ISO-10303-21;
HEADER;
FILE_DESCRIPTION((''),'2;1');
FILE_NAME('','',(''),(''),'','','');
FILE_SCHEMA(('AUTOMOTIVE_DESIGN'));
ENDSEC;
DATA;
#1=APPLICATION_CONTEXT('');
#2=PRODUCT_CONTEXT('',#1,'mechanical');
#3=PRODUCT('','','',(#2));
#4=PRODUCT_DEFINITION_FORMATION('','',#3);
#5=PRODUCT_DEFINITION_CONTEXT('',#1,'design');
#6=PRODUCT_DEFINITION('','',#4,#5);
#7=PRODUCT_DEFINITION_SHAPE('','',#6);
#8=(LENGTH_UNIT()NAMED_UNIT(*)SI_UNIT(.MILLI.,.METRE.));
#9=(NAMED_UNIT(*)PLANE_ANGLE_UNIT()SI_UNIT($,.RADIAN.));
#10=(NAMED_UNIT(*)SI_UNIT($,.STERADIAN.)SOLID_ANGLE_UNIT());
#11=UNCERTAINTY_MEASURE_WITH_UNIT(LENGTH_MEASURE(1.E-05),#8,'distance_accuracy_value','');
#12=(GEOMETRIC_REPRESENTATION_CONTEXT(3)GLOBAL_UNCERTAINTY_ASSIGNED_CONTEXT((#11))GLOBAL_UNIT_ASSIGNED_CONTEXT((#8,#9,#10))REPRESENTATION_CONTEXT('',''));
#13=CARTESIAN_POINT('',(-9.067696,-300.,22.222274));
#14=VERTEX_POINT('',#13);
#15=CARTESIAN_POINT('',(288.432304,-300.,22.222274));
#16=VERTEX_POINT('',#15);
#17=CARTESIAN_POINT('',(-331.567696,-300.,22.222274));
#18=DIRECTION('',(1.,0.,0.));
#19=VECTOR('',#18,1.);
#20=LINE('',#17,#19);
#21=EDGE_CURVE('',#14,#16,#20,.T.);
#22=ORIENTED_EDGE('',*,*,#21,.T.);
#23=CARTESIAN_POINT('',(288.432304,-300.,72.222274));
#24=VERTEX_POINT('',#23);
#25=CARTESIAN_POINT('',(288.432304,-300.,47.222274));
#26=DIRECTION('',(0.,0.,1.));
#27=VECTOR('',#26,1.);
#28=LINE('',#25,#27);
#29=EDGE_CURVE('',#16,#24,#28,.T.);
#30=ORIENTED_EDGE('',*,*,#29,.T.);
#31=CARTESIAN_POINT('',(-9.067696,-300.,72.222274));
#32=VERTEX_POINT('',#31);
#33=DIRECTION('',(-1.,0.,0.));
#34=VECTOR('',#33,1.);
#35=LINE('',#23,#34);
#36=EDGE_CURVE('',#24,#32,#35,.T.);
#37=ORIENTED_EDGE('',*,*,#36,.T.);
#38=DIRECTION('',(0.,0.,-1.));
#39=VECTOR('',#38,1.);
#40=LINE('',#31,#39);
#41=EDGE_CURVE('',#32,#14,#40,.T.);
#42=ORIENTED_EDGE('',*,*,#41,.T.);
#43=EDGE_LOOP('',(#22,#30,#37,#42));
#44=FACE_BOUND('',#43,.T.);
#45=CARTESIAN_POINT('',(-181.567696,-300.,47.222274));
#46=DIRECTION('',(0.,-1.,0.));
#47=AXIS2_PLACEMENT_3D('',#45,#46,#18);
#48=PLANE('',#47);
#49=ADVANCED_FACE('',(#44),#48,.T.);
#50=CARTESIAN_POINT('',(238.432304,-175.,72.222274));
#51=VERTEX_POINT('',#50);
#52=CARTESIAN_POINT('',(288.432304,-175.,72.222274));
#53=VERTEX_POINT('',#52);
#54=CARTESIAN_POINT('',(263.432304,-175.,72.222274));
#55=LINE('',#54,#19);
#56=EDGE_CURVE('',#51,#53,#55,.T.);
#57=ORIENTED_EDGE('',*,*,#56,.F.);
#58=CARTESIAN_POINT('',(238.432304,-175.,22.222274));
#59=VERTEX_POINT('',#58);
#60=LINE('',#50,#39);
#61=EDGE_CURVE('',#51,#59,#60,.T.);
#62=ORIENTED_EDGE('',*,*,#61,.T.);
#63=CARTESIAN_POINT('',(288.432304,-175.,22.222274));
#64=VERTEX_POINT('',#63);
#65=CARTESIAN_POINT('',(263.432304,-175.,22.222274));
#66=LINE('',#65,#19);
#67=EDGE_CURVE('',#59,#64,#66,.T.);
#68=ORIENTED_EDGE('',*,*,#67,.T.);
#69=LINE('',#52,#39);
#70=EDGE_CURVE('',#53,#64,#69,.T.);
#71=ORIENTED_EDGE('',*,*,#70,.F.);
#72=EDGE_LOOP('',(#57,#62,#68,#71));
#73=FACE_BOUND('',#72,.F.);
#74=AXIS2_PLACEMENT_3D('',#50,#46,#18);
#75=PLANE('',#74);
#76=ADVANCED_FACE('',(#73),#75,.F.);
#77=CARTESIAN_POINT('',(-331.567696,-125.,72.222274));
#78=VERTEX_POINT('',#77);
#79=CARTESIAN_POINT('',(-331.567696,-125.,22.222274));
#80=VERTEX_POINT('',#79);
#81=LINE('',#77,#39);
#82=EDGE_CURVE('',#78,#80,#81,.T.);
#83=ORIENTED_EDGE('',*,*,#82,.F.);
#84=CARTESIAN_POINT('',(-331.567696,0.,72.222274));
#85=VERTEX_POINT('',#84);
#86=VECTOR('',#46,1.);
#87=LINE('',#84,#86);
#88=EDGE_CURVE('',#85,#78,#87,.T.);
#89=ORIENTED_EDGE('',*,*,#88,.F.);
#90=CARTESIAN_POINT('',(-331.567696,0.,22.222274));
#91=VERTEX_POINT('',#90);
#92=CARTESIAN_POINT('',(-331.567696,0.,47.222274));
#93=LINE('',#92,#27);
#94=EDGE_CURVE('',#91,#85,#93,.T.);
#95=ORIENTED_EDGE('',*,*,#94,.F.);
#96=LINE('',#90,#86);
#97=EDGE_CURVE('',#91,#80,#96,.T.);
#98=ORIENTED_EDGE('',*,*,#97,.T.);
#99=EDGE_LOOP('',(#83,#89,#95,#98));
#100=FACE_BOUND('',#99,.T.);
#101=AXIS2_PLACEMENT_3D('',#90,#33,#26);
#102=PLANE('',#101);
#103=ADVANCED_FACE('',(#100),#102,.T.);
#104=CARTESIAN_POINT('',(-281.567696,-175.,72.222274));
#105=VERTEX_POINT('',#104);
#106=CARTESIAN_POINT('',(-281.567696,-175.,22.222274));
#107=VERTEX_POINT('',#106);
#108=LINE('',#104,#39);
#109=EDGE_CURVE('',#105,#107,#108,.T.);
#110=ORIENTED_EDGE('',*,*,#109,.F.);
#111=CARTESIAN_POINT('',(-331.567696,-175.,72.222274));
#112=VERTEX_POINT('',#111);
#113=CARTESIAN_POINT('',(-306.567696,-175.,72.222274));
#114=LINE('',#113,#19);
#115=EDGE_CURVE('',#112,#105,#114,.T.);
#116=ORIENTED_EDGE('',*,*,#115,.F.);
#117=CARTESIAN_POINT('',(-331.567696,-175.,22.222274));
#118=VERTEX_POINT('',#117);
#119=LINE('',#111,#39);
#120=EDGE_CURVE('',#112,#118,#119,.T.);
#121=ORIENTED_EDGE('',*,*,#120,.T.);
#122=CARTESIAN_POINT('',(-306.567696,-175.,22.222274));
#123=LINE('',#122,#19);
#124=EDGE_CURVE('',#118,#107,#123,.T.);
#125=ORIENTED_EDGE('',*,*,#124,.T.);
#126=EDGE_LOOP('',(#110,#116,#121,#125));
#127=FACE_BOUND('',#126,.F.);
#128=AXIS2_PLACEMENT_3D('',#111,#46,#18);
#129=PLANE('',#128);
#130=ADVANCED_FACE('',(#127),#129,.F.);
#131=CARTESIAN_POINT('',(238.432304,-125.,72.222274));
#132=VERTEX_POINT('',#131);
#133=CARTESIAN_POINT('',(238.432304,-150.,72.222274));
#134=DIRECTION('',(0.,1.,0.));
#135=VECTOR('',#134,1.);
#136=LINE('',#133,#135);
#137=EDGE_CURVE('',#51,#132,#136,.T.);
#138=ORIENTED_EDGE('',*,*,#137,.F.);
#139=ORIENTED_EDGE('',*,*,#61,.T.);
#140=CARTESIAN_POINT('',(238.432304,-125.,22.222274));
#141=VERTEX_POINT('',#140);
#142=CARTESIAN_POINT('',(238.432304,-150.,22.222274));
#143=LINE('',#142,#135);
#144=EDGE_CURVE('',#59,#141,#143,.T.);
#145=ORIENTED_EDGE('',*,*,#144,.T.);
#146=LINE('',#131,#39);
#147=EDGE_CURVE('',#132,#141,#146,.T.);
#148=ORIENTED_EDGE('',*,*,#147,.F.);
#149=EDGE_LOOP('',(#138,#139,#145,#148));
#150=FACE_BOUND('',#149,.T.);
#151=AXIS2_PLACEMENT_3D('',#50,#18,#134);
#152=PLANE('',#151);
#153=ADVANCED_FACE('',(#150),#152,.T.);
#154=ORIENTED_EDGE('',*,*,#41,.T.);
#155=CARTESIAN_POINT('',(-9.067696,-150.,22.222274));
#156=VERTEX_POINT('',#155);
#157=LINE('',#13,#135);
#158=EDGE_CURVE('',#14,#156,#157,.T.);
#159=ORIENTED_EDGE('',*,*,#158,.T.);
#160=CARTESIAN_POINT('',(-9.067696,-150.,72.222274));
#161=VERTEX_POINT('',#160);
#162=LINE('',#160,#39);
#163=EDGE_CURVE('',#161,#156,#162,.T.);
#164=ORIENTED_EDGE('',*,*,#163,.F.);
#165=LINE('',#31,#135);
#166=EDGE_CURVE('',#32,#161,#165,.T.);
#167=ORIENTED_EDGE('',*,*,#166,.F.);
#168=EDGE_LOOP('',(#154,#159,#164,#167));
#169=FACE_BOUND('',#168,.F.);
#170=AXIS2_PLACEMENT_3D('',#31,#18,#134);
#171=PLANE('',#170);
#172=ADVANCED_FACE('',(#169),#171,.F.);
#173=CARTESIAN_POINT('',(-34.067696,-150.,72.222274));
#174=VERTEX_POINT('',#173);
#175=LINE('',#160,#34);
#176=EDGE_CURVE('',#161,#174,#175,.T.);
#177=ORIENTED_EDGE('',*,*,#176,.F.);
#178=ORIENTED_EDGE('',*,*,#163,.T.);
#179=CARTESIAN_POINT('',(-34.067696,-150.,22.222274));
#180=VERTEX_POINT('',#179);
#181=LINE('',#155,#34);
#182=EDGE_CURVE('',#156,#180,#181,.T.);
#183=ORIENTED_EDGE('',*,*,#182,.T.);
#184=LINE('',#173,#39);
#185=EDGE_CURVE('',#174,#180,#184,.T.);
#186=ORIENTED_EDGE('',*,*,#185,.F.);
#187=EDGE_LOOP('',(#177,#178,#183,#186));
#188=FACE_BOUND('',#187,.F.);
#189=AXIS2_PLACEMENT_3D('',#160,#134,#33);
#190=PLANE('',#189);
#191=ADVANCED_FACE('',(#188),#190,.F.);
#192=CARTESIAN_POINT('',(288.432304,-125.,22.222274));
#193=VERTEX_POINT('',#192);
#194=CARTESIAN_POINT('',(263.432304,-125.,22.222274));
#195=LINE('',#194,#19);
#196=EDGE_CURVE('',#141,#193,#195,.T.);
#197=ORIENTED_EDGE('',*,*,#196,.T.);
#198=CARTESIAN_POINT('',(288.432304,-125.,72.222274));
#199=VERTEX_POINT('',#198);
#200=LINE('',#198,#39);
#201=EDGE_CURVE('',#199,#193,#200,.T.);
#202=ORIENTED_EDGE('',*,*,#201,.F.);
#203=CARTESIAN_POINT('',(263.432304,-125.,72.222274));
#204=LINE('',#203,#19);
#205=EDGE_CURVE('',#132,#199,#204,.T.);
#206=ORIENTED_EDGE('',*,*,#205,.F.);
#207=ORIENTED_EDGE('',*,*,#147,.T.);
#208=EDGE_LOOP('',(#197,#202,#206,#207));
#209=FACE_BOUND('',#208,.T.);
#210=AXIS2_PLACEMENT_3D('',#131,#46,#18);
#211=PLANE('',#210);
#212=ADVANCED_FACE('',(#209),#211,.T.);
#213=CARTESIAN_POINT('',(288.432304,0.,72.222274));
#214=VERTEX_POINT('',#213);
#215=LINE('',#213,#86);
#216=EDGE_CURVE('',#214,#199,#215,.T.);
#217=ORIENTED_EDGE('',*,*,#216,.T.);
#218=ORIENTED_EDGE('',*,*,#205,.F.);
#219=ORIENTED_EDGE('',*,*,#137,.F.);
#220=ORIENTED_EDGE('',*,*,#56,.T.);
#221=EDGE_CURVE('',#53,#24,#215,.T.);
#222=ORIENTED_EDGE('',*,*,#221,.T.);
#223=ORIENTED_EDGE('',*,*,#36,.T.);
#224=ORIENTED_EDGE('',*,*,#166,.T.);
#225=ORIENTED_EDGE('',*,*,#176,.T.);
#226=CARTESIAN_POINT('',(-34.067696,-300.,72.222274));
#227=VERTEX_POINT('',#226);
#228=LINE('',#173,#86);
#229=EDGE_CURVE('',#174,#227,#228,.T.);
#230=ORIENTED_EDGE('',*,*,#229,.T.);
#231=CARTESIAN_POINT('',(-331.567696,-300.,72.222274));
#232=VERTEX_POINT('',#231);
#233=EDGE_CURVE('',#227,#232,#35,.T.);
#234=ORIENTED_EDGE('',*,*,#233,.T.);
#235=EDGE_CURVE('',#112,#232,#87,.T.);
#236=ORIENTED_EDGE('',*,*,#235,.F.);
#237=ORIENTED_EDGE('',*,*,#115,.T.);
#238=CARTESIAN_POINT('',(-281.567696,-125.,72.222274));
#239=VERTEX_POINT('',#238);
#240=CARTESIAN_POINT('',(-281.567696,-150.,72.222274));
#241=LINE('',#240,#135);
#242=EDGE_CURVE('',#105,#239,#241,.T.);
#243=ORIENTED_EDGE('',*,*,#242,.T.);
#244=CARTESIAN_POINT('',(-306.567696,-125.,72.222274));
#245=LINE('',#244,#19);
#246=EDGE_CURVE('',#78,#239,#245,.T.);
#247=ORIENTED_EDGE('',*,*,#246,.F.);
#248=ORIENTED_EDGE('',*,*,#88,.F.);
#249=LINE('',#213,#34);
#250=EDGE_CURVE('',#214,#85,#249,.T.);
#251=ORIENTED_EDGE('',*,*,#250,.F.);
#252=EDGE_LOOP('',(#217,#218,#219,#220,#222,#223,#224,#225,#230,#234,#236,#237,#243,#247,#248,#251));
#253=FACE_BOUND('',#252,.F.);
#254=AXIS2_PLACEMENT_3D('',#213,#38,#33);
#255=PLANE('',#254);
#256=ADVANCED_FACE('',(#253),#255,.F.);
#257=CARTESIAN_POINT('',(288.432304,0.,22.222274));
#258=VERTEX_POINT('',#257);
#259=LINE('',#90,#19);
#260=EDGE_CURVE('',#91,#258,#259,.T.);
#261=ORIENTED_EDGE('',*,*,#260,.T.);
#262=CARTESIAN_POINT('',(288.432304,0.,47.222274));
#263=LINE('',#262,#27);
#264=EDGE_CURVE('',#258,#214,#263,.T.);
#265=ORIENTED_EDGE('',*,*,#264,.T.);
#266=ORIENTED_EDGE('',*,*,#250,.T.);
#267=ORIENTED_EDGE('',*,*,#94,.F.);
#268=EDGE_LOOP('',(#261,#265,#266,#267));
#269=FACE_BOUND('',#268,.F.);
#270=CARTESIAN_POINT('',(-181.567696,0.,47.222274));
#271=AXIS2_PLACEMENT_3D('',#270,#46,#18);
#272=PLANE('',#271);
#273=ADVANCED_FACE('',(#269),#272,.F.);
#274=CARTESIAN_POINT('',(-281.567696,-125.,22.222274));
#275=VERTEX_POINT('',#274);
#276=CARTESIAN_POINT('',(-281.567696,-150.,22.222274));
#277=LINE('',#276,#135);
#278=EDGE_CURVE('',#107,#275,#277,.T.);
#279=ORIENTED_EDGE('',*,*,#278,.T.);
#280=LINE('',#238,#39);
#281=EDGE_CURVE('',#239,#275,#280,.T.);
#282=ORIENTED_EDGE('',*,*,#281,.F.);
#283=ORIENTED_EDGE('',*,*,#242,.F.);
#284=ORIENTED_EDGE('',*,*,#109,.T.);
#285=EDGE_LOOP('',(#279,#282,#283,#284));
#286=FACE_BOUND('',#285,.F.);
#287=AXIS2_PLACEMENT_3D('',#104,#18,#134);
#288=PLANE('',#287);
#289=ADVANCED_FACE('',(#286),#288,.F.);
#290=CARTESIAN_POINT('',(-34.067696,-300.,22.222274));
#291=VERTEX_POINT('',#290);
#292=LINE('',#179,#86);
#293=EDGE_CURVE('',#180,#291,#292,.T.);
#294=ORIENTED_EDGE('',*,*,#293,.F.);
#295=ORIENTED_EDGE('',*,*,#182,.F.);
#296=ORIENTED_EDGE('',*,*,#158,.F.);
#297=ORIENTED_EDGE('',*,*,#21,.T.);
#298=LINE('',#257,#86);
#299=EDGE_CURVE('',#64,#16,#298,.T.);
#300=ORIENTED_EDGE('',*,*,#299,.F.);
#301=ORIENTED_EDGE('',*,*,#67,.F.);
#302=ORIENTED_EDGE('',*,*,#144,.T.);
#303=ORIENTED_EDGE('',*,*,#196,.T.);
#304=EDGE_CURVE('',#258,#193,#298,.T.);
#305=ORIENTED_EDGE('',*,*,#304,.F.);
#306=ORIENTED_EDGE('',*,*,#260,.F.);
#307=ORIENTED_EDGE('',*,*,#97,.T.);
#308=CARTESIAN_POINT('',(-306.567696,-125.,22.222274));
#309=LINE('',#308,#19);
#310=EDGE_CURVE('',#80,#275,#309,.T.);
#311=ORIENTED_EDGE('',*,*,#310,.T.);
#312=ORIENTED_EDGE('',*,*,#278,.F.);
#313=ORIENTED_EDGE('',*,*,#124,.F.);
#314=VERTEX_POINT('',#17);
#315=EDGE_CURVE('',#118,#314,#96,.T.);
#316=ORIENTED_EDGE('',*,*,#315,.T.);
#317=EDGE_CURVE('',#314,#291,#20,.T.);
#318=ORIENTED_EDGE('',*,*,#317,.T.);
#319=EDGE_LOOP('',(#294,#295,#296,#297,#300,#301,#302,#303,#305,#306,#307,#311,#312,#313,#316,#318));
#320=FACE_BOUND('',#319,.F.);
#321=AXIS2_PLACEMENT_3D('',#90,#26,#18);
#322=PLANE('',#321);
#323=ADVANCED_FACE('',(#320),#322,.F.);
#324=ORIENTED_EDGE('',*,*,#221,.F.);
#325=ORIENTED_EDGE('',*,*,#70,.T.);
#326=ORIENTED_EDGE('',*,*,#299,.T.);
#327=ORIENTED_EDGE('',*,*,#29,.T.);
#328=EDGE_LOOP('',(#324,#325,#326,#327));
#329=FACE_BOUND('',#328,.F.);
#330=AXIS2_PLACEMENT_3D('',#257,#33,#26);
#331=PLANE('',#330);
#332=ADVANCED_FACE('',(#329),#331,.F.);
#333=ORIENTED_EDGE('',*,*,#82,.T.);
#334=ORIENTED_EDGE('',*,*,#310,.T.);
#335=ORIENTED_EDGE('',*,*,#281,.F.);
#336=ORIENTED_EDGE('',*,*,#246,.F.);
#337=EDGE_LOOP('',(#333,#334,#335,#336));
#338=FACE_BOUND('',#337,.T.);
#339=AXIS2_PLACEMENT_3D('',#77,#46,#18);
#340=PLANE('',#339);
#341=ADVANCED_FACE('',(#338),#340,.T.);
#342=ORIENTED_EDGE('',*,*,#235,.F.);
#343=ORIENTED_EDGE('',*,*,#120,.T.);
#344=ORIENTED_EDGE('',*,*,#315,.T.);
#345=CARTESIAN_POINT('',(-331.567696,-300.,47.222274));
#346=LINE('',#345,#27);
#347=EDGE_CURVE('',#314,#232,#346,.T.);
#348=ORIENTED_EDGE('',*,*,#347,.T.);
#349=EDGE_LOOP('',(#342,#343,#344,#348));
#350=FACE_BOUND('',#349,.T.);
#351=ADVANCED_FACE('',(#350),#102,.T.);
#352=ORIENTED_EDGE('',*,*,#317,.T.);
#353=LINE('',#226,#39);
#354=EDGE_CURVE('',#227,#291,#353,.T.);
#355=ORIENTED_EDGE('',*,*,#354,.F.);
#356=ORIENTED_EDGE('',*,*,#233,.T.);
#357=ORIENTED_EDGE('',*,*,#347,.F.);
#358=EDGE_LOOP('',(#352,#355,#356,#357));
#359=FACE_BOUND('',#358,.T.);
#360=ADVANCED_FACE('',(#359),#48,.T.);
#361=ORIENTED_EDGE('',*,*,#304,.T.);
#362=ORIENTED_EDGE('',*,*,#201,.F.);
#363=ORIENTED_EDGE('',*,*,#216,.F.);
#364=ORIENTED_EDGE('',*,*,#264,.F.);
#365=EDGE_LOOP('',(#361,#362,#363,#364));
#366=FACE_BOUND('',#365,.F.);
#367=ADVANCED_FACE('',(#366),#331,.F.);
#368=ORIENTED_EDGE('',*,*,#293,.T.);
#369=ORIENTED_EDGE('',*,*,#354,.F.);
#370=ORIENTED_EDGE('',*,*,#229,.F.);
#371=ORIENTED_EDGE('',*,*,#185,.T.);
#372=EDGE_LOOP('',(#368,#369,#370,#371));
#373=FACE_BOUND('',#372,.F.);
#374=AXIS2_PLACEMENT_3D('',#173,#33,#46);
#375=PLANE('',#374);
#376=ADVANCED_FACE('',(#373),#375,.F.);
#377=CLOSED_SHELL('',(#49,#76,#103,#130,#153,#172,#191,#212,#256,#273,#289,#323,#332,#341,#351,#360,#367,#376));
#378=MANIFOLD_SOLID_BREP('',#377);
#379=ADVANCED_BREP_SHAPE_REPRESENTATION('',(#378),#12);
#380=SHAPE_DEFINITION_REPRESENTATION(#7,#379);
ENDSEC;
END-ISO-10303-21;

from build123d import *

# Parameters (mm, degrees)
F0_W     = 300
F0_H     = 50
F0_W_2   = 20
F1_DEPTH = 300
F2_W     = 50
F2_H     = 50
F3_DEPTH = 50
F4_DEPTH = 50


with BuildPart() as f1:
    # F0 (on Front) → F1 (new body)
    with BuildSketch(Plane.XZ):
        with Locations((-181.567696, 47.222274)):
            Rectangle(F0_W, F0_H)
        with Locations((-21.567696, 47.222274)):
            Rectangle(F0_W_2, F0_H)
        with Locations((138.432304, 47.222274)):
            Rectangle(F0_W, F0_H)
    extrude(amount=F1_DEPTH)

    # F2 (on face) → F3 (cut)
    with BuildSketch(Plane.XY.offset(72.222274)):
        with Locations((-306.567696, -150)):
            Rectangle(F2_W, F2_H)
        with Locations((263.432304, -150)):
            Rectangle(F2_W, F2_H)
    extrude(amount=-F3_DEPTH, mode=Mode.SUBTRACT)

    # F2 (on face) → F4 (cut)
    with BuildSketch(Plane.XY.offset(72.222274)):
        Polygon((-21.567696, -300), (-9.067696, -300), (-9.067696, -150), (-34.067696, -150), (-34.067696, -300), align=None)
    extrude(amount=-F4_DEPTH, mode=Mode.SUBTRACT)


solid = f1.part
